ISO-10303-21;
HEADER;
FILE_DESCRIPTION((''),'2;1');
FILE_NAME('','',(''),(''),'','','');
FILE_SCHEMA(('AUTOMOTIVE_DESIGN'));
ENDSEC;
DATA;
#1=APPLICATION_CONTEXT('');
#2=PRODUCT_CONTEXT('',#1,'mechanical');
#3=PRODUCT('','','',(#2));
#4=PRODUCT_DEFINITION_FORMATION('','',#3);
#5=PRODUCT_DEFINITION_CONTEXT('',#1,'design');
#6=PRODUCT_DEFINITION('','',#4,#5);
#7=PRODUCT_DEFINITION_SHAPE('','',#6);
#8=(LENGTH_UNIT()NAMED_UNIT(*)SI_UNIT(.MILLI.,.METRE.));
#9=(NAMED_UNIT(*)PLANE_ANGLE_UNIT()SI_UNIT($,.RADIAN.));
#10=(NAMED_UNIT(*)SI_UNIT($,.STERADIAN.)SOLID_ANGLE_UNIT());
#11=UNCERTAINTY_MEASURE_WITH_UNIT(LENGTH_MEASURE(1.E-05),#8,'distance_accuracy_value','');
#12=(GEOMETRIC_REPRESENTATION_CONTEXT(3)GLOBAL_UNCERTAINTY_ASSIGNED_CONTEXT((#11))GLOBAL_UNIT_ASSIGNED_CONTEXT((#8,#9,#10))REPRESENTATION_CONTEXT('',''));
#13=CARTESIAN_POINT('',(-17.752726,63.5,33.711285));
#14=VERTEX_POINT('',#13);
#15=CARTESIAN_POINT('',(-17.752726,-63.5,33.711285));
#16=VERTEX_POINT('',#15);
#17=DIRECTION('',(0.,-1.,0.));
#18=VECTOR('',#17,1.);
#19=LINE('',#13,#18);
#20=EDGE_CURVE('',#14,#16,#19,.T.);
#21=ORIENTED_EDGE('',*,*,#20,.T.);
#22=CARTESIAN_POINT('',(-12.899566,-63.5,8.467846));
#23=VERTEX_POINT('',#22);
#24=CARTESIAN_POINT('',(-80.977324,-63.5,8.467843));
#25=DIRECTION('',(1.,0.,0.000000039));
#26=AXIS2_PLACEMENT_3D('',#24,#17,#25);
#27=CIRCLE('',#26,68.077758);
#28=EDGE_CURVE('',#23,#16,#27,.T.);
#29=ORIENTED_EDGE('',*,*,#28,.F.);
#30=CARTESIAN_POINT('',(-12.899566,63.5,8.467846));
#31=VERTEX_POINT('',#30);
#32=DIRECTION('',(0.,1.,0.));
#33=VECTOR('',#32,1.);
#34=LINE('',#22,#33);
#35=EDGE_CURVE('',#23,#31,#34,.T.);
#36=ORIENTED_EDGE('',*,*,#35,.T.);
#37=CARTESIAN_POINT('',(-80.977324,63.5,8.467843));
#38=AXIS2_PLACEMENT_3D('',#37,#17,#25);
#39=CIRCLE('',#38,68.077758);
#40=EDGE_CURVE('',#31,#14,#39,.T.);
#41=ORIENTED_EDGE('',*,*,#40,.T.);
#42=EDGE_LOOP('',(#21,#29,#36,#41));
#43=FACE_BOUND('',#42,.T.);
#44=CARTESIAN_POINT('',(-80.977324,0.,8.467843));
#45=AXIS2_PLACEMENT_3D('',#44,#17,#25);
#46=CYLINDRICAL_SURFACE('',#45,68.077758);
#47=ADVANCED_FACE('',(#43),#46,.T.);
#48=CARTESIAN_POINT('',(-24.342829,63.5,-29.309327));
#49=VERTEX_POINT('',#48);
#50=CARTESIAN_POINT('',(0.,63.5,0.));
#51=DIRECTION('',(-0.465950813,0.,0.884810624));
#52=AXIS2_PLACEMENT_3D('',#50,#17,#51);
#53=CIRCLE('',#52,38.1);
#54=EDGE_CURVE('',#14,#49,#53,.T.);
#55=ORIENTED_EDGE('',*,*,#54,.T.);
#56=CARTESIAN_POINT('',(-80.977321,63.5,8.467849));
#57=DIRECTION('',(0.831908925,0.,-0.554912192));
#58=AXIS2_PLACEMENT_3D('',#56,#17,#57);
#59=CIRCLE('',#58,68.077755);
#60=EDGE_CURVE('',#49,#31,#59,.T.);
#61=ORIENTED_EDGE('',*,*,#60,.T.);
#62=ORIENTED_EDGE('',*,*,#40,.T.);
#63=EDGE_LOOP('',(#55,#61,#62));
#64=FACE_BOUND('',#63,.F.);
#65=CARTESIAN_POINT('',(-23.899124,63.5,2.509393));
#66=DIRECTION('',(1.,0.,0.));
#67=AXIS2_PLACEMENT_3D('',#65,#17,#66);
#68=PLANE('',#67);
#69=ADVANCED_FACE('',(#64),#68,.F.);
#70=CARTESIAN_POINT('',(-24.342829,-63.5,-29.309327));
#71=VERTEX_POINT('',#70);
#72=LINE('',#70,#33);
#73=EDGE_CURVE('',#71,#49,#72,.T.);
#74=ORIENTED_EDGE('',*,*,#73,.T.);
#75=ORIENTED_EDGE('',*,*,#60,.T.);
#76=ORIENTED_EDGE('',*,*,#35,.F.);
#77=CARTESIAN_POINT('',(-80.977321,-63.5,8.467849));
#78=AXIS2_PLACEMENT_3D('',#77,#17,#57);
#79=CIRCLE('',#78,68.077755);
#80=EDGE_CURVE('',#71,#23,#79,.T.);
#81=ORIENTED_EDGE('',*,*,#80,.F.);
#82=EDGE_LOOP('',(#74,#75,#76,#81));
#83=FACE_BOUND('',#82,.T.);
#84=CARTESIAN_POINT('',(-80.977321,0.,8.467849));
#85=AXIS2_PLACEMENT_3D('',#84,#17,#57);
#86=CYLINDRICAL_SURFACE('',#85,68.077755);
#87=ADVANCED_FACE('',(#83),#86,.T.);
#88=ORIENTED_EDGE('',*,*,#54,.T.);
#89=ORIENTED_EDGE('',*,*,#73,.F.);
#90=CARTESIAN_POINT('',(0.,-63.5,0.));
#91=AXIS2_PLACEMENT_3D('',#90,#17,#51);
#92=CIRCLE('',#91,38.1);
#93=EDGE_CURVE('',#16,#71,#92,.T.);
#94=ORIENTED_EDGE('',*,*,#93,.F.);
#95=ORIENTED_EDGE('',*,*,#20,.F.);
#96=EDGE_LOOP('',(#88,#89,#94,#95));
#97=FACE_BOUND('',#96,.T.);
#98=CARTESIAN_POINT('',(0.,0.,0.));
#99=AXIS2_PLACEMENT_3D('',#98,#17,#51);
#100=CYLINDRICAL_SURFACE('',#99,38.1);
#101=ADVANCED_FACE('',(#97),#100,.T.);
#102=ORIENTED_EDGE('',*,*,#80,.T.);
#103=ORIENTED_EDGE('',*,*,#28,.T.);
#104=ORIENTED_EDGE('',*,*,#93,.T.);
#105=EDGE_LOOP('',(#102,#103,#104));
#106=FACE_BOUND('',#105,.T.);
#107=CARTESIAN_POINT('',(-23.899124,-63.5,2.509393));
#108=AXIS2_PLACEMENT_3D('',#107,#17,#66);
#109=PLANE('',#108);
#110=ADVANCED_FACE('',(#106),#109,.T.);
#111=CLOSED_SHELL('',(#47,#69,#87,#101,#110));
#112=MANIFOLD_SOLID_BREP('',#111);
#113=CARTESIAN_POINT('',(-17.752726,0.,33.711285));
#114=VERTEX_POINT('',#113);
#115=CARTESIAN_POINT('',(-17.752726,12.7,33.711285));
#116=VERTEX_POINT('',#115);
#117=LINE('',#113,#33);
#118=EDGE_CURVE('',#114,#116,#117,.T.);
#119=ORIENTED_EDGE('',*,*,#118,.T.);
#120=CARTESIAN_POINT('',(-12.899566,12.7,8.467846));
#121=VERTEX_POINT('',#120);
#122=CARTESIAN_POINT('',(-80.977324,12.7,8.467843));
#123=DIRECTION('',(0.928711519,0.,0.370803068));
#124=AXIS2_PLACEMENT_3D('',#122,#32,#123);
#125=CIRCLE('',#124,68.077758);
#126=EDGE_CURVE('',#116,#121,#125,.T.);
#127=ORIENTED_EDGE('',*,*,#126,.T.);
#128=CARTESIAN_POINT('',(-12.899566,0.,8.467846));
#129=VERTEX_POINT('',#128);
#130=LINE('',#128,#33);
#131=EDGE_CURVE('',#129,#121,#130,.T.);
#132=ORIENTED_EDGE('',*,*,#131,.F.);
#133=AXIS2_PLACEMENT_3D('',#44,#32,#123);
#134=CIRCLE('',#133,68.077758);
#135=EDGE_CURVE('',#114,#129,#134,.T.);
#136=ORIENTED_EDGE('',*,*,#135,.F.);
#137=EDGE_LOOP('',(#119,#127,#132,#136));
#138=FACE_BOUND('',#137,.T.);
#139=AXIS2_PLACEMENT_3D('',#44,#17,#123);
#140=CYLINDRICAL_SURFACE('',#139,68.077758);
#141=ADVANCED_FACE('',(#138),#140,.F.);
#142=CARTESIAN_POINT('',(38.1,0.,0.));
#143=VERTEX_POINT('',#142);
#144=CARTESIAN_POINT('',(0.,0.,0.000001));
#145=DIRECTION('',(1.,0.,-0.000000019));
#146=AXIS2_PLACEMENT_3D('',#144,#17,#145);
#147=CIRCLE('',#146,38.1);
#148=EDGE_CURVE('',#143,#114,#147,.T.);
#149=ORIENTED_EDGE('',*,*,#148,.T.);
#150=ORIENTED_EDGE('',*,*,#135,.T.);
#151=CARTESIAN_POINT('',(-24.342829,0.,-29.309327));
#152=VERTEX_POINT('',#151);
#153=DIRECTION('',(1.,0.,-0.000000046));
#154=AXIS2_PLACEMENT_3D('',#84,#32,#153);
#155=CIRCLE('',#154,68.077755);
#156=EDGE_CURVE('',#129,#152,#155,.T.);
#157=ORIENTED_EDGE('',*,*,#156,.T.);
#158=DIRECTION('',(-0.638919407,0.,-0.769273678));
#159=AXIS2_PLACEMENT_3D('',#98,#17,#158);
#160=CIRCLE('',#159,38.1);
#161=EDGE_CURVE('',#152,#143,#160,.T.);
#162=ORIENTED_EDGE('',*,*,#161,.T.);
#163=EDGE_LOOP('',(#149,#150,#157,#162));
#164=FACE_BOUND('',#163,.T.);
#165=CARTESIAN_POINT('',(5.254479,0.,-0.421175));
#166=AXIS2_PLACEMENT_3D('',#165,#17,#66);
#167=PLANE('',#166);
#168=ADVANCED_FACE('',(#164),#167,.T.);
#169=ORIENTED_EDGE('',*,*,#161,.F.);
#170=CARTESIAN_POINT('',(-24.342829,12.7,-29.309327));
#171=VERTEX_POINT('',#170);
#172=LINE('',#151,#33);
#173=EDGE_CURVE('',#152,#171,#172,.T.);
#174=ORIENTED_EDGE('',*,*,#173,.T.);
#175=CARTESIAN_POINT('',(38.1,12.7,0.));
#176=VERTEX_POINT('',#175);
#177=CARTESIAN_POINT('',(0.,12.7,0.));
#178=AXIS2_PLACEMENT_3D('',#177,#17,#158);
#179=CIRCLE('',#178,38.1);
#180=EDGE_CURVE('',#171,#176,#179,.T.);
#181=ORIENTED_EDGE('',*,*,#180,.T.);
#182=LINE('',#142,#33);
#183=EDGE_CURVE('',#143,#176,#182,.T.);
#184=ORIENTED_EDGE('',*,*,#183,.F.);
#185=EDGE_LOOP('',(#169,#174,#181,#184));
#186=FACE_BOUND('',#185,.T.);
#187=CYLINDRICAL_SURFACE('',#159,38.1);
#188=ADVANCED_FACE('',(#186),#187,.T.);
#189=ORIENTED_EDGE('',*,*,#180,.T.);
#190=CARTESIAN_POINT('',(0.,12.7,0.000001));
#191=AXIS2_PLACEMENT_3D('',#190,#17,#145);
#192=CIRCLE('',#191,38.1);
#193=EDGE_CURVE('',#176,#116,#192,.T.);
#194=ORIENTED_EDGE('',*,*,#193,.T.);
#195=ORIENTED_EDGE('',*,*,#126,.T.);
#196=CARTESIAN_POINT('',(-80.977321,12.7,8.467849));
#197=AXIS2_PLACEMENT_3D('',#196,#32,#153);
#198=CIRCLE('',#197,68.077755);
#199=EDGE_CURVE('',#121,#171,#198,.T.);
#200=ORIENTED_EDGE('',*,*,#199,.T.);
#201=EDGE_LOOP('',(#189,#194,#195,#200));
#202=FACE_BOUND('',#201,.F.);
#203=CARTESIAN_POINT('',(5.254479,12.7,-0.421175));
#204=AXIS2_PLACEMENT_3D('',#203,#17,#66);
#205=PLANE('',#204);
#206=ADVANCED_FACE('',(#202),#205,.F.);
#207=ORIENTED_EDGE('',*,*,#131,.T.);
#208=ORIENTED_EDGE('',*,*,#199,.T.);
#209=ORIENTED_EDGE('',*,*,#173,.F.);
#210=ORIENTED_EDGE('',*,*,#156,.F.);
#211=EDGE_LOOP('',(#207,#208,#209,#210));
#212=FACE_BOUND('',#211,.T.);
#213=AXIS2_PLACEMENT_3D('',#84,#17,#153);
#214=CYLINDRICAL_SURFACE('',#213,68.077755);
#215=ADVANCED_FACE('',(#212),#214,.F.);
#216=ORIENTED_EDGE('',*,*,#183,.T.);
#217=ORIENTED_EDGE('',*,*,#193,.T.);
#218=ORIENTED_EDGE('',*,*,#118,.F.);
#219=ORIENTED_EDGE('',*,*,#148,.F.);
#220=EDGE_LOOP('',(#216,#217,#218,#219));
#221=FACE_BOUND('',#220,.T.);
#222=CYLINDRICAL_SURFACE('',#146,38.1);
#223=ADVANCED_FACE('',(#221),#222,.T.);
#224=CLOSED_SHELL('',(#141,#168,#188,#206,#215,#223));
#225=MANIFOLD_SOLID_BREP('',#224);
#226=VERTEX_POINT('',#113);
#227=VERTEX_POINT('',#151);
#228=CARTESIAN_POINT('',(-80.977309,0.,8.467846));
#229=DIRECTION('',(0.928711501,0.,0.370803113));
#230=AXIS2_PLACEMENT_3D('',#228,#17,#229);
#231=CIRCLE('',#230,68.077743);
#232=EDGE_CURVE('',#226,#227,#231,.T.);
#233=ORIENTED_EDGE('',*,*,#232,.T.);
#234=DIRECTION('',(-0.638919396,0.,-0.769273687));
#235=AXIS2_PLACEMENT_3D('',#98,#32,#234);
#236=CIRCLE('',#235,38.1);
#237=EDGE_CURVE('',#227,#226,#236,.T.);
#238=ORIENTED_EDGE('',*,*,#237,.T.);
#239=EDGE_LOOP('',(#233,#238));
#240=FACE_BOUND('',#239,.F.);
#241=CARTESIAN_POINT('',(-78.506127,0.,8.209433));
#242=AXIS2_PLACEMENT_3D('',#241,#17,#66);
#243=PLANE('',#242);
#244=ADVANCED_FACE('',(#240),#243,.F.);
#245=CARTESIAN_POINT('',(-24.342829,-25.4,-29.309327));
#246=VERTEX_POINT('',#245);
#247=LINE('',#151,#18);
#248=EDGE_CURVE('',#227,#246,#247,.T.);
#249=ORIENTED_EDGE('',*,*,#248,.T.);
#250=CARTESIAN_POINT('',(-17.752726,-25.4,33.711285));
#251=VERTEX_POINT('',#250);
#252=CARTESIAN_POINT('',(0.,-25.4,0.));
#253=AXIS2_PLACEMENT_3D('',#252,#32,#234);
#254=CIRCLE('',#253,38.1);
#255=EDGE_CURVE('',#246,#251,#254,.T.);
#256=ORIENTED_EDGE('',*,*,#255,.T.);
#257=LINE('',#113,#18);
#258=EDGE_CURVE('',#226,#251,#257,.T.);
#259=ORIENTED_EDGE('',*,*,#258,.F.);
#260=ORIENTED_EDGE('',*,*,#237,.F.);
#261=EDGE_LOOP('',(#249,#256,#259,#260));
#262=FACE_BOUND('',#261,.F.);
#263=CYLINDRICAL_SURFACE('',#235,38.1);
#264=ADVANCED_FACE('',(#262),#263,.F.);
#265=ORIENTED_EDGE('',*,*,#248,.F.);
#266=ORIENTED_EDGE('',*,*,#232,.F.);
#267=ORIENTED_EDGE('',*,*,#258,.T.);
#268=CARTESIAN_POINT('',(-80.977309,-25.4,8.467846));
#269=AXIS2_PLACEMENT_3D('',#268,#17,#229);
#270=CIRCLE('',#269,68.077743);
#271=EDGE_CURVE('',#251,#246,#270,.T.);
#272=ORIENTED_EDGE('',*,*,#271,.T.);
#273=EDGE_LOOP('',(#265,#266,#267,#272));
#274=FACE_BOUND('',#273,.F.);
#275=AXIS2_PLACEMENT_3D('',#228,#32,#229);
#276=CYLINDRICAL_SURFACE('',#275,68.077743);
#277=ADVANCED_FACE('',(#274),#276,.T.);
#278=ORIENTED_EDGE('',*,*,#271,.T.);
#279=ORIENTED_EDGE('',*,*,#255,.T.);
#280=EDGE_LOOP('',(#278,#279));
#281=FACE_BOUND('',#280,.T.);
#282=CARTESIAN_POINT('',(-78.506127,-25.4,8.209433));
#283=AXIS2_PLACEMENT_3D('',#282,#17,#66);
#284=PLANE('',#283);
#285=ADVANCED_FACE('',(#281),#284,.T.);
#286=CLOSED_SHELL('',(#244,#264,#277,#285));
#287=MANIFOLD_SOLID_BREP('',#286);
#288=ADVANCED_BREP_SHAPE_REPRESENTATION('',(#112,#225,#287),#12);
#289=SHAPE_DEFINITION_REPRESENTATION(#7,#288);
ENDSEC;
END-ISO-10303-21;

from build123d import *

# Parameters (mm, degrees)
F1_DEPTH      = 25.4
F2_DEPTH      = 12.7
F3_DEPTH      = 63.5
F3_DEPTH_BACK = 63.5


with BuildPart() as f1:
    # F0 (on Front) → F1 (new body)
    with BuildSketch(Plane.XZ):
        with BuildLine():
            ThreePointArc((-24.342829, -29.309327), (-37.893381, 3.962534), (-17.752726, 33.711285))
            ThreePointArc((-17.752726, 33.711285), (-148.685862, 15.54817), (-24.342829, -29.309327))
        make_face()
    extrude(amount=F1_DEPTH)


with BuildPart() as f2:
    # F0 (on Front) → F2 (new body)
    with BuildSketch(Plane.XZ):
        with BuildLine():
            ThreePointArc((-24.342829, -29.309327), (16.188703, -34.489649), (38.1, 0))
            ThreePointArc((38.1, 0), (19.687955, 32.618928), (-17.752726, 33.711285))
            ThreePointArc((-17.752726, 33.711285), (-14.123865, 21.320709), (-12.899566, 8.467846))
            ThreePointArc((-12.899566, 8.467846), (-15.823159, -11.268308), (-24.342829, -29.309327))
        make_face()
    extrude(amount=-F2_DEPTH)


with BuildPart() as f3:
    # F0 (on Front) → F3 (new body, two sides)
    with BuildSketch(Plane.XZ) as f3_sk:
        with BuildLine():
            ThreePointArc((-12.899566, 8.467846), (-14.123865, 21.320709), (-17.752726, 33.711285))
            ThreePointArc((-17.752726, 33.711285), (-37.893381, 3.962534), (-24.342829, -29.309327))
            ThreePointArc((-24.342829, -29.309327), (-15.823159, -11.268308), (-12.899566, 8.467846))
        make_face()
    extrude(amount=F3_DEPTH)
    extrude(f3_sk.sketch, amount=-F3_DEPTH_BACK)


solid = Compound([f1.part, f2.part, f3.part])
